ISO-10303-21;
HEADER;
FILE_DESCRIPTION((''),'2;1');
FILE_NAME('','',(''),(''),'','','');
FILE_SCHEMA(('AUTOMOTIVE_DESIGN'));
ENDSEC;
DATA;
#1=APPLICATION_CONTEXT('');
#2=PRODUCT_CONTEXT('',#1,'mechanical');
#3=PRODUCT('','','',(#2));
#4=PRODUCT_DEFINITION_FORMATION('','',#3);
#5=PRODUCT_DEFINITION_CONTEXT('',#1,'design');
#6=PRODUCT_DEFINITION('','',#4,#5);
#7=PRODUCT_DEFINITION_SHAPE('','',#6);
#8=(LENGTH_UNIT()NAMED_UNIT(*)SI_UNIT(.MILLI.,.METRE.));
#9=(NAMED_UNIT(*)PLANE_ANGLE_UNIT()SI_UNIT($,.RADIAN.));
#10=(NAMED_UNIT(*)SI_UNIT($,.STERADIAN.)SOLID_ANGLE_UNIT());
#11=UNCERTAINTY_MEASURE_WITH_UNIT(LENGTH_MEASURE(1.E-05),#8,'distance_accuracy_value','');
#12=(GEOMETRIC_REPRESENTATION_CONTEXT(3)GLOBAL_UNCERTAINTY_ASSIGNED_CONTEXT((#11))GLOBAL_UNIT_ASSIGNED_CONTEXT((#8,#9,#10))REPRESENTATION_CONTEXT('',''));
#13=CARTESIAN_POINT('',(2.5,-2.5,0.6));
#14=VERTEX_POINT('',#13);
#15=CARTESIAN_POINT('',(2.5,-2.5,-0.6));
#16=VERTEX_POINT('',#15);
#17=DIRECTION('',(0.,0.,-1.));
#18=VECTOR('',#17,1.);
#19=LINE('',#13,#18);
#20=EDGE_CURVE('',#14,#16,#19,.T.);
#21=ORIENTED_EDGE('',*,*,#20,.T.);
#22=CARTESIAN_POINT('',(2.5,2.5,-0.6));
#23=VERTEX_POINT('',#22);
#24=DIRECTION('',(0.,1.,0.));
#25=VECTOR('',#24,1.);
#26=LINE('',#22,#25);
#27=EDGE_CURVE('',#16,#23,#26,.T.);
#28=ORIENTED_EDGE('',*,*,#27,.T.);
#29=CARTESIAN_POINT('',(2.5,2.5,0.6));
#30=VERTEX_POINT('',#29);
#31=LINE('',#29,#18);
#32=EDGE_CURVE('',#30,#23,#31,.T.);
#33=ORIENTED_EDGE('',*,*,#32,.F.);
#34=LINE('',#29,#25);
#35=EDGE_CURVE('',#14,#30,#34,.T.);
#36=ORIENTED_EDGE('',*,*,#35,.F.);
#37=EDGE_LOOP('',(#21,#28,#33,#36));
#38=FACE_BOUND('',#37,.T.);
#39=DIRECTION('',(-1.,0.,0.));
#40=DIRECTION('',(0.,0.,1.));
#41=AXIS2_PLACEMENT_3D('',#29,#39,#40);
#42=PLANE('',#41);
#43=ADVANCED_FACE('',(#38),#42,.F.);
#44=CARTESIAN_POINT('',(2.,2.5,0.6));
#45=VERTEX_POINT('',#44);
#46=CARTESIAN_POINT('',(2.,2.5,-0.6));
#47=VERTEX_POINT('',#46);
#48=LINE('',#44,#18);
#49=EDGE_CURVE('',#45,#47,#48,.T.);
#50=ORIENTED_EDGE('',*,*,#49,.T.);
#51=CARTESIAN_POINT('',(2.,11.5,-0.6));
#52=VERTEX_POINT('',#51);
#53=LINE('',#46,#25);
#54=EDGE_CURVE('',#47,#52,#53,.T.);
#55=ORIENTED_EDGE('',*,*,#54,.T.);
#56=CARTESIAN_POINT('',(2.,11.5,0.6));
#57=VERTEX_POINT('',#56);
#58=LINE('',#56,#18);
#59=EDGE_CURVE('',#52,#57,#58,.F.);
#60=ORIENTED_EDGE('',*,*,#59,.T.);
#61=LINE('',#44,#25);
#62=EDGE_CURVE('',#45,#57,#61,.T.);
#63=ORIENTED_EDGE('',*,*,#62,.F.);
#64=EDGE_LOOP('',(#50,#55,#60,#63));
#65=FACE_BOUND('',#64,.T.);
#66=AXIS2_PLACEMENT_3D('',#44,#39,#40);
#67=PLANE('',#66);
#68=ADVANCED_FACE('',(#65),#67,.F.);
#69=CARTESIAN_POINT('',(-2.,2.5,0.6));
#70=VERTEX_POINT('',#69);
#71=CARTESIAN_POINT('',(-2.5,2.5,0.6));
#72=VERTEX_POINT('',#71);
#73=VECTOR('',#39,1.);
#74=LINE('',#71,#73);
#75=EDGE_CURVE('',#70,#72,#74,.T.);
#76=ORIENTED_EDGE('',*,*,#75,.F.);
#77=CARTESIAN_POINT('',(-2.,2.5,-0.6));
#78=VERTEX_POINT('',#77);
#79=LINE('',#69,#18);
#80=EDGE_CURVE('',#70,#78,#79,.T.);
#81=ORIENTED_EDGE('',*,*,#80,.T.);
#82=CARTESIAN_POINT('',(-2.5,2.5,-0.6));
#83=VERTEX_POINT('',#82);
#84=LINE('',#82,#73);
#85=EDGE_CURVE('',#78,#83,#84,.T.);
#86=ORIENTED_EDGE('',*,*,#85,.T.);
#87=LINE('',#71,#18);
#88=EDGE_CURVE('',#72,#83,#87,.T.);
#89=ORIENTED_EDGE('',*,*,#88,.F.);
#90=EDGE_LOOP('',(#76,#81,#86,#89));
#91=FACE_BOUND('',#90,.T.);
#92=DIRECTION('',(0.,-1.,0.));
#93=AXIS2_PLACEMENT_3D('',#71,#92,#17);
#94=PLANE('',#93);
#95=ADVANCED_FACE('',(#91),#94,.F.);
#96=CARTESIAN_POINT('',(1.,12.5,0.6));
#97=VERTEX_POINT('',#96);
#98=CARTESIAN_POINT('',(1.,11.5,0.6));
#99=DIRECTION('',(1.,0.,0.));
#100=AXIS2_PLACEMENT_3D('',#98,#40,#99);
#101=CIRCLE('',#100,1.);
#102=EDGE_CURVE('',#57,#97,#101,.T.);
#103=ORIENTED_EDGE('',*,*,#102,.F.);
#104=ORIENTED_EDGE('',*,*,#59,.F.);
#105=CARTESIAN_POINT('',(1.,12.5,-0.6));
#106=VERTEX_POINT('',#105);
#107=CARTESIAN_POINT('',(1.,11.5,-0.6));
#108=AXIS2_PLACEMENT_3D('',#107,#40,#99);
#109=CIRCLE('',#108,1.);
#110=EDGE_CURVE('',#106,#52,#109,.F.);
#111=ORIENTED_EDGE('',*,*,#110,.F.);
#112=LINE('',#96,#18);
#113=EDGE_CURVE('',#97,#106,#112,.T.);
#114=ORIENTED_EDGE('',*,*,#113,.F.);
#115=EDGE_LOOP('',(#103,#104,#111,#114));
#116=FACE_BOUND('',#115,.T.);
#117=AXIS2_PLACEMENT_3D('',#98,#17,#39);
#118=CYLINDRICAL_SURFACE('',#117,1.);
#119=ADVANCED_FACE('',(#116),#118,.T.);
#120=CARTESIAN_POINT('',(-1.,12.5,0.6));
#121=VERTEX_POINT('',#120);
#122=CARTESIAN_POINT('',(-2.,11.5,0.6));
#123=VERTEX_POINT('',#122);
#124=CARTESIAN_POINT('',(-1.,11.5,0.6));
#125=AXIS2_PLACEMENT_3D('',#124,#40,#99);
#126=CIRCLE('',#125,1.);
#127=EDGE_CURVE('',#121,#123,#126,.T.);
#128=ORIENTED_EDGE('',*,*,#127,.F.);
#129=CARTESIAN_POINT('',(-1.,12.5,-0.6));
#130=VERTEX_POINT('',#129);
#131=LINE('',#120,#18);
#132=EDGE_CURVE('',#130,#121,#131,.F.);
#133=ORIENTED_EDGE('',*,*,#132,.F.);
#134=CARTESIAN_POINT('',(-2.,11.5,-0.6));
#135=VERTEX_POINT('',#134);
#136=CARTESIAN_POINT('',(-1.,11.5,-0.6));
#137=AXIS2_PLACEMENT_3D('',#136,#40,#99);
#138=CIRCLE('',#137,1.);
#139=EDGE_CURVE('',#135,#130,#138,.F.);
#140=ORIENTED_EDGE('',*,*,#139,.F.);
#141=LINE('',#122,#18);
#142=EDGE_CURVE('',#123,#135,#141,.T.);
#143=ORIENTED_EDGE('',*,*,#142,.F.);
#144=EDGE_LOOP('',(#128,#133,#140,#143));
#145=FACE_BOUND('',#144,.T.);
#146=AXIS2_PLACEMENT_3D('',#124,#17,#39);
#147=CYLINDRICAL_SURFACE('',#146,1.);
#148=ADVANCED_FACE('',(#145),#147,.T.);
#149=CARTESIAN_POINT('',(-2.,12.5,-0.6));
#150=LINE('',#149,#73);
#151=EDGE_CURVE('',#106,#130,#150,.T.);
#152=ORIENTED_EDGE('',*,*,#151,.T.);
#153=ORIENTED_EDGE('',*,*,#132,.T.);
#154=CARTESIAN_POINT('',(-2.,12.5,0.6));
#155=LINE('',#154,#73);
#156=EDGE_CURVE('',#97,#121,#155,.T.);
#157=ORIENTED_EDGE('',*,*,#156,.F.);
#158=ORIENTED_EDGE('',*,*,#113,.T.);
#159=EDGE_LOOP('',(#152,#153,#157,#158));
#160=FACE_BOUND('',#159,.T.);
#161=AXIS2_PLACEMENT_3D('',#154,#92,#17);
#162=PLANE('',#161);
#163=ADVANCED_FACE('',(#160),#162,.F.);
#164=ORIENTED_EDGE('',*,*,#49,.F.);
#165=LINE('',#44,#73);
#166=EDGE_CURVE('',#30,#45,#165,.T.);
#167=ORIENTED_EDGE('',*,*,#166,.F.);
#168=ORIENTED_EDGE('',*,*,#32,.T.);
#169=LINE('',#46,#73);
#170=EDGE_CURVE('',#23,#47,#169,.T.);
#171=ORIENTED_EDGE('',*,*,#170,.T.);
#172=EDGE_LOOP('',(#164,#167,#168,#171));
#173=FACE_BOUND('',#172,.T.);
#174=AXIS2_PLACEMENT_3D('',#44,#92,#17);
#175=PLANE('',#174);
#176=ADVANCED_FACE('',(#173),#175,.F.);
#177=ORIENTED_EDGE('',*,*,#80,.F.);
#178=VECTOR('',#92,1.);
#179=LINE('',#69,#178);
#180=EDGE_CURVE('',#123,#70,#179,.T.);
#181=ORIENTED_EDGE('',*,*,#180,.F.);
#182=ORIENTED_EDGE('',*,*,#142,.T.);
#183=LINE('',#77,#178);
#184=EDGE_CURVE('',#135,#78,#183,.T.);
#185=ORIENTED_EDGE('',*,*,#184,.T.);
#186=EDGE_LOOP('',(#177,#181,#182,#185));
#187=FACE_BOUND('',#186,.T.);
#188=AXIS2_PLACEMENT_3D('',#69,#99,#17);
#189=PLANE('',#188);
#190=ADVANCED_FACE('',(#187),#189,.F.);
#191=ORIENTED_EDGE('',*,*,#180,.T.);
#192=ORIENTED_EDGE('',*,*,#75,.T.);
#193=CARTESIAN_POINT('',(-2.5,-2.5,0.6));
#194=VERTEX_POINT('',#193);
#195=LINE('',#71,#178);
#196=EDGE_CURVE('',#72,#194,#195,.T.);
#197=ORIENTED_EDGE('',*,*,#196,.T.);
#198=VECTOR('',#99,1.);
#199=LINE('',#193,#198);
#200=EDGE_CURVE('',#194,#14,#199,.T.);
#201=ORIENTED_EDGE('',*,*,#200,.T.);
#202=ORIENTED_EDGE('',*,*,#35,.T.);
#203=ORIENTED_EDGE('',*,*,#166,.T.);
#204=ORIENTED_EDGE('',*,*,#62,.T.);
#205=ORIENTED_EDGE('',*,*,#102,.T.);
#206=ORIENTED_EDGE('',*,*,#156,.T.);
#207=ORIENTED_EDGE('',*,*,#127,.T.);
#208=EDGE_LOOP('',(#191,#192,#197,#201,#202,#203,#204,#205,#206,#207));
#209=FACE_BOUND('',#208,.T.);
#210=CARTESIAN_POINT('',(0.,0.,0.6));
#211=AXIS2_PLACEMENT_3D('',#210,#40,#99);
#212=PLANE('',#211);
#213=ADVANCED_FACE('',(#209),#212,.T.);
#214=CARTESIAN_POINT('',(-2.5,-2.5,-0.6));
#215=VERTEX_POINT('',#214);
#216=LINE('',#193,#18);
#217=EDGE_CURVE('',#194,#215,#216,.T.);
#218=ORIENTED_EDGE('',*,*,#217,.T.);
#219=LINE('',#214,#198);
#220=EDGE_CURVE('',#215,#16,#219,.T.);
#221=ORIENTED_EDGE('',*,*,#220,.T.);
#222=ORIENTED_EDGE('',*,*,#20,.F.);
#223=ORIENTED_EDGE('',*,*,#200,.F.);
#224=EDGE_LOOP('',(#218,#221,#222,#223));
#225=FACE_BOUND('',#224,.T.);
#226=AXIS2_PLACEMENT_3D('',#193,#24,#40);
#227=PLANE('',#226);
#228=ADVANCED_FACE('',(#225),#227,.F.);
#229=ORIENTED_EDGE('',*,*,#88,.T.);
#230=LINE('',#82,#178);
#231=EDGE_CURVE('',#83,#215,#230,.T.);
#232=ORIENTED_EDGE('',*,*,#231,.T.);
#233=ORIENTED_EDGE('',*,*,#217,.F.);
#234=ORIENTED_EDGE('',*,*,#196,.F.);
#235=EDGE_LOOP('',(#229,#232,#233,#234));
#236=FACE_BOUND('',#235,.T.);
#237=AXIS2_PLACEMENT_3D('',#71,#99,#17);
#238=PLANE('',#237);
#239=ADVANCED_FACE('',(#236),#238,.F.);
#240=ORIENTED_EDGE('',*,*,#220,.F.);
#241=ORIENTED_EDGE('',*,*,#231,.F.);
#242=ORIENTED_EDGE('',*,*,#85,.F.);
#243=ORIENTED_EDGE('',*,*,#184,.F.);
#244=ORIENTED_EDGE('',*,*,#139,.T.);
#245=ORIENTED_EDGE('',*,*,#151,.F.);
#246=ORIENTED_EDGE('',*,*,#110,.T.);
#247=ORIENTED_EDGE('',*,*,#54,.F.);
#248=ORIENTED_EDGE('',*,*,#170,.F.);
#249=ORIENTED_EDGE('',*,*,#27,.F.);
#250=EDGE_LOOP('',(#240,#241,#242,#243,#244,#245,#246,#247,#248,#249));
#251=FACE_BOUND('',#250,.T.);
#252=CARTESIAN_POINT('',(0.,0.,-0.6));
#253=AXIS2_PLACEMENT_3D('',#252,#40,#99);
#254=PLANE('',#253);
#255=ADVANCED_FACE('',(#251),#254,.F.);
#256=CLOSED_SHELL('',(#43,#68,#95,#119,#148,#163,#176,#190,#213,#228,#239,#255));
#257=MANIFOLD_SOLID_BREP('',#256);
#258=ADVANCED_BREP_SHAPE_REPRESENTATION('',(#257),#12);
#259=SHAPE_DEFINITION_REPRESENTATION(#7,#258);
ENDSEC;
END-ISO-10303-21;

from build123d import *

# Parameters (mm, degrees)
AUFSATZ_LINEAR_AUSTRAGEN1_DEPTH = 0.6
VERRUNDUNG1_R                   = 1
VERRUNDUNG2_R                   = 1


with BuildPart() as part:
    # glider-sketch → Aufsatz-Linear austragen1 (new body, symmetric)
    with BuildSketch(Plane.XY):
        Polygon((-2.5, 2.5), (-2, 2.5), (-2, 12.5), (2, 12.5), (2, 2.5), (2.5, 2.5), (2.5, -2.5), (-2.5, -2.5), align=None)
    extrude(amount=AUFSATZ_LINEAR_AUSTRAGEN1_DEPTH, both=True)

    # Verrundung1
    verrundung1_edges = [part.edges().sort_by_distance(p)[0] for p in [
        (2, 12.5, 0),
    ]]
    fillet(verrundung1_edges, radius=VERRUNDUNG1_R)

    # Verrundung2
    verrundung2_edges = [part.edges().sort_by_distance(p)[0] for p in [
        (-2, 12.5, 0),
    ]]
    fillet(verrundung2_edges, radius=VERRUNDUNG2_R)


solid = part.part
